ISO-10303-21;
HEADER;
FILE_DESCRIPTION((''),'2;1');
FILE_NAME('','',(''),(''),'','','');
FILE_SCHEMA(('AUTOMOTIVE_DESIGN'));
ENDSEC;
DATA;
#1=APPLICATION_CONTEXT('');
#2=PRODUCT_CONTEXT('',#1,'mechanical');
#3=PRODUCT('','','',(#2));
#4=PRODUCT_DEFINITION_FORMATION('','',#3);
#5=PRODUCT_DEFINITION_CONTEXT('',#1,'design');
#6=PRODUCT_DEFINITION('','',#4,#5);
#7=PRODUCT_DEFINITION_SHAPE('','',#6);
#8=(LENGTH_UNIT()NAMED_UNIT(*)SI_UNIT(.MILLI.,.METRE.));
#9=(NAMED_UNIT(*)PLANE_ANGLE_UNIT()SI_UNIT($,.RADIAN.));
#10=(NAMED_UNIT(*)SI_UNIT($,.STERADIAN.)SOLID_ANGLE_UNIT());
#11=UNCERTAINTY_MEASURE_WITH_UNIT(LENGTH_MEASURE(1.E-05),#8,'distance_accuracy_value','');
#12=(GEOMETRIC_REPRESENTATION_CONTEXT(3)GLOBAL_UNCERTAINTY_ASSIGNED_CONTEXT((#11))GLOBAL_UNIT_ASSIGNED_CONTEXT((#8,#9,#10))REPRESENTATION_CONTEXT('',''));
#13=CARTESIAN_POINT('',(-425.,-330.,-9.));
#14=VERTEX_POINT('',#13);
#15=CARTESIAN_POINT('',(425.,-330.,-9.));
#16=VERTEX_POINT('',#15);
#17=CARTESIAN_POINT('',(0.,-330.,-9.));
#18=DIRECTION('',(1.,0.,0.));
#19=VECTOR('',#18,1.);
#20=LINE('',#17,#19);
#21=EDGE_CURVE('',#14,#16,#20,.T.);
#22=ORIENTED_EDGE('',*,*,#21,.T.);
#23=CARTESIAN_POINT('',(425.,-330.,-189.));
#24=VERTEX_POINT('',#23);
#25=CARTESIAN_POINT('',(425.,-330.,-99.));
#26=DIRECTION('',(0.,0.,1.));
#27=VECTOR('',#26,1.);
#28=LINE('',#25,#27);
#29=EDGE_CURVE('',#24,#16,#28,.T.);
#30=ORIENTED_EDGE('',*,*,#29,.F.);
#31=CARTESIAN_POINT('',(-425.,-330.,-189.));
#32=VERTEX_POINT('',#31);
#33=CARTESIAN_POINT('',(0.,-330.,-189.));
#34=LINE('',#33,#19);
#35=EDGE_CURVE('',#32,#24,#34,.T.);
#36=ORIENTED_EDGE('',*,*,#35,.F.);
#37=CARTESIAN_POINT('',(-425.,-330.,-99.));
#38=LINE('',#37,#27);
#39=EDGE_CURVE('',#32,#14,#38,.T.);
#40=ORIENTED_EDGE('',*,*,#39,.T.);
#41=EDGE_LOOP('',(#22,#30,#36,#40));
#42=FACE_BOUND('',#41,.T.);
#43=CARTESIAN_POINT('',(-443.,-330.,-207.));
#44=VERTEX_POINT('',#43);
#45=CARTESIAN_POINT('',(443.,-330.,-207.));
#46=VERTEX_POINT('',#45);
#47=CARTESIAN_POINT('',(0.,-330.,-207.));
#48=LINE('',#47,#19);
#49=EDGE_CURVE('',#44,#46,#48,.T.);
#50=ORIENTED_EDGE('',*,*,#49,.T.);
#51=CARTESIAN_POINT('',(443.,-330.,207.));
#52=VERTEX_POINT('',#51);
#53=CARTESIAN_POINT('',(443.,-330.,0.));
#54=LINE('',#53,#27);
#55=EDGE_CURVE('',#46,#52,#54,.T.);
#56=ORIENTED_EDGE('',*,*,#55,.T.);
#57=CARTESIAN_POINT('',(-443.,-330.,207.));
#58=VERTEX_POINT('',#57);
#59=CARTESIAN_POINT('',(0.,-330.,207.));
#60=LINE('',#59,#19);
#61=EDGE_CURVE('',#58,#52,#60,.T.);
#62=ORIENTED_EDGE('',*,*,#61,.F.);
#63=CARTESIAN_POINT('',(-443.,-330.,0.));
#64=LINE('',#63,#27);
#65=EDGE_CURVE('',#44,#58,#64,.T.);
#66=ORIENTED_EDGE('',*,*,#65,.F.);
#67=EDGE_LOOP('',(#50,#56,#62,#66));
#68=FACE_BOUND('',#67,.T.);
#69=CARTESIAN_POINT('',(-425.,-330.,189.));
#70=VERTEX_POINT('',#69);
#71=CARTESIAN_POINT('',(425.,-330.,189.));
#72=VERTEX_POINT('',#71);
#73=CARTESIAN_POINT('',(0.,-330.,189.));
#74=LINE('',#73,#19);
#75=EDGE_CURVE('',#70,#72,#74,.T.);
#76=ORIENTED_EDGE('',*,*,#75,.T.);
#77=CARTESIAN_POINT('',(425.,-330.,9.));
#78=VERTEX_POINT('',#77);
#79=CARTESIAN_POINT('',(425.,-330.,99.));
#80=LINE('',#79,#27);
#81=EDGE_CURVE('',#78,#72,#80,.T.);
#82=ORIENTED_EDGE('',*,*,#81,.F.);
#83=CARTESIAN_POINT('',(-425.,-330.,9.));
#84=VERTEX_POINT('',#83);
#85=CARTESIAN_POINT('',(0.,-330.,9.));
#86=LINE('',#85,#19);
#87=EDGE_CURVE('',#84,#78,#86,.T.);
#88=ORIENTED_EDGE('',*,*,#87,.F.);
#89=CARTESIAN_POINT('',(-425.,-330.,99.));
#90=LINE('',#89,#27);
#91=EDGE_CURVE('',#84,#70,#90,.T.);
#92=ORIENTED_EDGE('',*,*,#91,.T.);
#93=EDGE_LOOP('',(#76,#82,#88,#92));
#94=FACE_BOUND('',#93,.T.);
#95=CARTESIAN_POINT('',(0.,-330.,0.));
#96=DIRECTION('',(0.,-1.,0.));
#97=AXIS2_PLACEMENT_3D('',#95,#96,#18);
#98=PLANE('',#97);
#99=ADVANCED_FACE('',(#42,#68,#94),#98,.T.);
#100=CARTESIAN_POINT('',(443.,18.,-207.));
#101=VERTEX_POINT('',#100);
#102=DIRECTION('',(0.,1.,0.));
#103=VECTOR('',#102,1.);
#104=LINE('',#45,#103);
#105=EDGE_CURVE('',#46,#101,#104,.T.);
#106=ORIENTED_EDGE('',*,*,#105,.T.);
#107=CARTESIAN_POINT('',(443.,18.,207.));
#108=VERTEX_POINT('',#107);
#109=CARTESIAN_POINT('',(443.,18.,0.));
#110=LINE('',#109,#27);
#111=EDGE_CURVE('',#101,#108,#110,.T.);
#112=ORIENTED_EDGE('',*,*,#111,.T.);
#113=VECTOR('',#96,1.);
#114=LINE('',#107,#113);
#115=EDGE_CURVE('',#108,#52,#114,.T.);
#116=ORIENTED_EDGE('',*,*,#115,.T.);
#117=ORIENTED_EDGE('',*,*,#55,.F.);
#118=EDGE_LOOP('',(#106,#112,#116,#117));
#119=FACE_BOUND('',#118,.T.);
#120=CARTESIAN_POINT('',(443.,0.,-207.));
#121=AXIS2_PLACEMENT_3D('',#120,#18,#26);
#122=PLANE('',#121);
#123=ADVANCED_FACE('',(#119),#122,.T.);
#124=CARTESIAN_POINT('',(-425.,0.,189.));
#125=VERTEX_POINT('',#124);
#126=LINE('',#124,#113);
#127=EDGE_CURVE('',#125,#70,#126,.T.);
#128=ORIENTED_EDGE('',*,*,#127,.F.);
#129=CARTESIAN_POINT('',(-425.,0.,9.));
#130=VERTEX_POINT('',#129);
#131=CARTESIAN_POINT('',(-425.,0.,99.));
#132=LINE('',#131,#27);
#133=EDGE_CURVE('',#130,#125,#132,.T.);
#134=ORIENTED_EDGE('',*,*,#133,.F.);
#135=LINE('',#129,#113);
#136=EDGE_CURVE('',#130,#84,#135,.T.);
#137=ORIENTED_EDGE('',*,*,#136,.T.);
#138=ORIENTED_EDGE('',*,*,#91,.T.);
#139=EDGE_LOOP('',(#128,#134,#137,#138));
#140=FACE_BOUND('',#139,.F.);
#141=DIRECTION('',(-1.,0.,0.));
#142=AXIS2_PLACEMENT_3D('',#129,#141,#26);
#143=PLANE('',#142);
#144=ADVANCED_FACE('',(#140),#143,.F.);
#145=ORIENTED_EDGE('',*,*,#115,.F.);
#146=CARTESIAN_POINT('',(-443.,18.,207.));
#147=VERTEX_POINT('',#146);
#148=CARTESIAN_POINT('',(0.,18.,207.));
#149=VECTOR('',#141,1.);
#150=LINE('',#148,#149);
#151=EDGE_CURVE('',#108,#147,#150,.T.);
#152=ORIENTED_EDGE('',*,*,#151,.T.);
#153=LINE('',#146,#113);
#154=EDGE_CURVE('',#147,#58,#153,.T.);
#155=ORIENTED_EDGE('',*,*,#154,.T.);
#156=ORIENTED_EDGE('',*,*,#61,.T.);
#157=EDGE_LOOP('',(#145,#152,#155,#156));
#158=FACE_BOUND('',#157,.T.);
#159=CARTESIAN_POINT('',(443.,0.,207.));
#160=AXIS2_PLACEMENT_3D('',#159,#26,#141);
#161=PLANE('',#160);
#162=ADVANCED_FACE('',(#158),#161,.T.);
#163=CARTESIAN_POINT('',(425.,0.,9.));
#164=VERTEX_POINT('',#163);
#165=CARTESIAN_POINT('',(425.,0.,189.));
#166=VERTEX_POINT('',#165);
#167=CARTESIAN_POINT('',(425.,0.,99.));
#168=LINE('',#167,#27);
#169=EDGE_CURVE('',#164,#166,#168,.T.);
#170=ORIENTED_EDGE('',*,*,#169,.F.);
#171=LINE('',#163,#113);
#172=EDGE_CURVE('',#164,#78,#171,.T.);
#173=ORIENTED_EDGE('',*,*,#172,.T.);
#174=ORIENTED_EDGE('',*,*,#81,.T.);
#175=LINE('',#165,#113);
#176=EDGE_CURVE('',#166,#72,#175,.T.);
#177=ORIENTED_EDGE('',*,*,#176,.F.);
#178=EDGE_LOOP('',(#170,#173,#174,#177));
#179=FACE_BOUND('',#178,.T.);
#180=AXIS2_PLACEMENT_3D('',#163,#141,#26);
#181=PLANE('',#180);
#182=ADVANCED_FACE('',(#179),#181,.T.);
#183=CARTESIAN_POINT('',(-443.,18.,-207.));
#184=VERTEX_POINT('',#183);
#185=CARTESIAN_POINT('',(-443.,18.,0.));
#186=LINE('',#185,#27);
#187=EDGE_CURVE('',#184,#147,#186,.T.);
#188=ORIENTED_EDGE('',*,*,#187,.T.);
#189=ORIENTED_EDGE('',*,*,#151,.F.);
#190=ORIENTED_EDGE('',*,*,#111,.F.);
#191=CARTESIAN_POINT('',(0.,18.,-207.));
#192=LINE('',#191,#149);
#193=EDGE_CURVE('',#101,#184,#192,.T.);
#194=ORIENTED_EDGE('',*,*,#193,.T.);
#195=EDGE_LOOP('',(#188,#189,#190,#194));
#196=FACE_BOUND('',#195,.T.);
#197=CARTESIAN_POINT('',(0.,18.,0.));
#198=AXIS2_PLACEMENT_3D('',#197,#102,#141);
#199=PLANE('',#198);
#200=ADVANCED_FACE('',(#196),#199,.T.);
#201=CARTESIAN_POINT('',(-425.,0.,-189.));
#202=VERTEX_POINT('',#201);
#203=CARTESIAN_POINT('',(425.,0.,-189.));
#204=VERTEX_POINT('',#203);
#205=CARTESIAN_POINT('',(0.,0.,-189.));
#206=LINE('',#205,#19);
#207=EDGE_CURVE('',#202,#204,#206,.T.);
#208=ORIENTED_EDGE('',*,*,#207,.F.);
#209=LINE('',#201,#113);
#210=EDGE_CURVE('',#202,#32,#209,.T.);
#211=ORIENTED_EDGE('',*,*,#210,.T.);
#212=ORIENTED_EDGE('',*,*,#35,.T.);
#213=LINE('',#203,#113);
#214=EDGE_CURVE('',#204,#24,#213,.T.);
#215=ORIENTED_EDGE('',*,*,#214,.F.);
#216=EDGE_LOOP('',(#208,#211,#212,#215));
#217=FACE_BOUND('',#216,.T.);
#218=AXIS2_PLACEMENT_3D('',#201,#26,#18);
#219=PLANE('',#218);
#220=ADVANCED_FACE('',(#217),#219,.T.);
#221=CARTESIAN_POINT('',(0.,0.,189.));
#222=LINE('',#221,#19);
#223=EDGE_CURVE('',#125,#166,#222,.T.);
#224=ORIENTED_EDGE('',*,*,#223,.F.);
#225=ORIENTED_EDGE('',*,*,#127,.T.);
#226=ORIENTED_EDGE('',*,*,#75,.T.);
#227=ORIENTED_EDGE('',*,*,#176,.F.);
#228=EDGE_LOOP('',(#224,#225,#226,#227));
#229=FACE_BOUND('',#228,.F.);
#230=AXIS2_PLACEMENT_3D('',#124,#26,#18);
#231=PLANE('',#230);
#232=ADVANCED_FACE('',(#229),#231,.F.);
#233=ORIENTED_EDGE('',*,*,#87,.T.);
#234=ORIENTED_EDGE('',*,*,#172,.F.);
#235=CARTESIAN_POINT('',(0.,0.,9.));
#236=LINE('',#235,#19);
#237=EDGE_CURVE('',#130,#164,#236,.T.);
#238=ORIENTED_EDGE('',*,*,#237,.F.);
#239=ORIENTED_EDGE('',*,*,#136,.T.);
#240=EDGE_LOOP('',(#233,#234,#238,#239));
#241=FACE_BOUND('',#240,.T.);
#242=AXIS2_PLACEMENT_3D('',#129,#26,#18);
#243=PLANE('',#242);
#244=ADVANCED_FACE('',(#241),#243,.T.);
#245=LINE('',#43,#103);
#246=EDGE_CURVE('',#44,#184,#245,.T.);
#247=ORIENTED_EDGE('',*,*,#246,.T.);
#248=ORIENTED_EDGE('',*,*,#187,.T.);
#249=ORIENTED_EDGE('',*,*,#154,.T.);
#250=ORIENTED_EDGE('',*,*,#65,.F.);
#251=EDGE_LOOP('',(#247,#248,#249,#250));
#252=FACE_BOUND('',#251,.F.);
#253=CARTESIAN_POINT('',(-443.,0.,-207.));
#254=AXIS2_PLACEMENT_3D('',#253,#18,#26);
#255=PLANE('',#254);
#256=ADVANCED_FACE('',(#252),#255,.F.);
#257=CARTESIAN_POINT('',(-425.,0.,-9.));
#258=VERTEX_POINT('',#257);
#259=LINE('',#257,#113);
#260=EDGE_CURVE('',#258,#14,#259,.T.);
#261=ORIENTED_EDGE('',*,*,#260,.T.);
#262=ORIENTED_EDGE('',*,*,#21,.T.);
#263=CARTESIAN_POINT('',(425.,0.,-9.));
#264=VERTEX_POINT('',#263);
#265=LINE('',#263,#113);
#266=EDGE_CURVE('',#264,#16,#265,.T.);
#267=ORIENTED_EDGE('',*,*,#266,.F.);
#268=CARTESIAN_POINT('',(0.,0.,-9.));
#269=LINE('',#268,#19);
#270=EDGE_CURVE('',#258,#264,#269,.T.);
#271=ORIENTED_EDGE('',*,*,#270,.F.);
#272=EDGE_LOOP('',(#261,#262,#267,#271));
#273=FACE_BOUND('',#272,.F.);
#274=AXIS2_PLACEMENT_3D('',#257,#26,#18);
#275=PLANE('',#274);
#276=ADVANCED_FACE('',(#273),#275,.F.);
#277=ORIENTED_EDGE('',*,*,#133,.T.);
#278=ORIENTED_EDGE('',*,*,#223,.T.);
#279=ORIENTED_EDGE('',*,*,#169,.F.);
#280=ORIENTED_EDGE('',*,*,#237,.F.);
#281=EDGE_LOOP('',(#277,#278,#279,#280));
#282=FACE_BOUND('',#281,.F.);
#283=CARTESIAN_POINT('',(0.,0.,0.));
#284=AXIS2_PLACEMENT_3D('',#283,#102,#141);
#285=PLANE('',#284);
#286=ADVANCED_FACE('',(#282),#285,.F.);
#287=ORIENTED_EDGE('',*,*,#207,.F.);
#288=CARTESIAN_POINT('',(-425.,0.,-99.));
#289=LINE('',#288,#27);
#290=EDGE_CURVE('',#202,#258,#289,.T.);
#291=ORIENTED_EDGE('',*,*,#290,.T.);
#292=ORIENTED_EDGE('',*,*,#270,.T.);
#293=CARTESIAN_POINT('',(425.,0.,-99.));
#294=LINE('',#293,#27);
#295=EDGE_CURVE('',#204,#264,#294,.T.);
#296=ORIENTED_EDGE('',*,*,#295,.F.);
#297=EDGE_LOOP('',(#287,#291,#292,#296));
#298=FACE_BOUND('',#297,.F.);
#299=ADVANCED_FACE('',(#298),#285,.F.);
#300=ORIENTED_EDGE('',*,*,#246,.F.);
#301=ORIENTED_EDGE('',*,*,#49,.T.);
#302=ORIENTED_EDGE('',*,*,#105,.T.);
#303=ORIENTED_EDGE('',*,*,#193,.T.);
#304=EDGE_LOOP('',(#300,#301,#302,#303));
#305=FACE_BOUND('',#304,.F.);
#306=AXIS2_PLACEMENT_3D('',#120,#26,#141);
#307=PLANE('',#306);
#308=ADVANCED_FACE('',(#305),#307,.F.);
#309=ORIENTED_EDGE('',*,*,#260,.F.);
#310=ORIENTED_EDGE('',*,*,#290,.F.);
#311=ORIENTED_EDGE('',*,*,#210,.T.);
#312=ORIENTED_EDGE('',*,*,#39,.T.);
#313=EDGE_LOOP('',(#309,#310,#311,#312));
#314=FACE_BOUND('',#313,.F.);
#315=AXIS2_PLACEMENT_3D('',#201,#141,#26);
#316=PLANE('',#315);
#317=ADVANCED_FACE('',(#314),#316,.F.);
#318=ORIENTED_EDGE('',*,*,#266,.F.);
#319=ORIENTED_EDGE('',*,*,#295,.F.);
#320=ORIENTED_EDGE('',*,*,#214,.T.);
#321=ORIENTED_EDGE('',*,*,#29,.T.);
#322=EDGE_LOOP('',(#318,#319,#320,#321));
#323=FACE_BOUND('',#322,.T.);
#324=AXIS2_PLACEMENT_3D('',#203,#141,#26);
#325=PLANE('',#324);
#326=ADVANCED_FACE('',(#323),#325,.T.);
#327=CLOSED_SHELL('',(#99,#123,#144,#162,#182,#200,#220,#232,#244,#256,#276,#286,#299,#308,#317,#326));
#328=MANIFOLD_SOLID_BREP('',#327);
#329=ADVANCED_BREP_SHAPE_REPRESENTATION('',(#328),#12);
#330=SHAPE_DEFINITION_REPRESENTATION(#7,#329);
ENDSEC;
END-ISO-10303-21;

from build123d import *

# Parameters (mm, degrees)
F0_W     = 886
F0_H     = 414
F0_W_2   = 850
F0_H_2   = 180
F1_DEPTH = 330
F2_W     = 886
F2_H     = 414
F3_DEPTH = 18


with BuildPart() as f1:
    # F0 (on Front) → F1 (new body)
    with BuildSketch(Plane.XZ):
        Rectangle(F0_W, F0_H)
        with Locations((0, -99)):
            Rectangle(F0_W_2, F0_H_2, mode=Mode.SUBTRACT)
        with Locations((0, 99)):
            Rectangle(F0_W_2, F0_H_2, mode=Mode.SUBTRACT)
    extrude(amount=F1_DEPTH)

    # F2 (on face) → F3 (join)
    with BuildSketch(Plane(origin=(0, 0, 0), x_dir=(-1, 0, 0), z_dir=(0, 1, 0))):
        Rectangle(F2_W, F2_H)
    extrude(amount=F3_DEPTH)


solid = f1.part
